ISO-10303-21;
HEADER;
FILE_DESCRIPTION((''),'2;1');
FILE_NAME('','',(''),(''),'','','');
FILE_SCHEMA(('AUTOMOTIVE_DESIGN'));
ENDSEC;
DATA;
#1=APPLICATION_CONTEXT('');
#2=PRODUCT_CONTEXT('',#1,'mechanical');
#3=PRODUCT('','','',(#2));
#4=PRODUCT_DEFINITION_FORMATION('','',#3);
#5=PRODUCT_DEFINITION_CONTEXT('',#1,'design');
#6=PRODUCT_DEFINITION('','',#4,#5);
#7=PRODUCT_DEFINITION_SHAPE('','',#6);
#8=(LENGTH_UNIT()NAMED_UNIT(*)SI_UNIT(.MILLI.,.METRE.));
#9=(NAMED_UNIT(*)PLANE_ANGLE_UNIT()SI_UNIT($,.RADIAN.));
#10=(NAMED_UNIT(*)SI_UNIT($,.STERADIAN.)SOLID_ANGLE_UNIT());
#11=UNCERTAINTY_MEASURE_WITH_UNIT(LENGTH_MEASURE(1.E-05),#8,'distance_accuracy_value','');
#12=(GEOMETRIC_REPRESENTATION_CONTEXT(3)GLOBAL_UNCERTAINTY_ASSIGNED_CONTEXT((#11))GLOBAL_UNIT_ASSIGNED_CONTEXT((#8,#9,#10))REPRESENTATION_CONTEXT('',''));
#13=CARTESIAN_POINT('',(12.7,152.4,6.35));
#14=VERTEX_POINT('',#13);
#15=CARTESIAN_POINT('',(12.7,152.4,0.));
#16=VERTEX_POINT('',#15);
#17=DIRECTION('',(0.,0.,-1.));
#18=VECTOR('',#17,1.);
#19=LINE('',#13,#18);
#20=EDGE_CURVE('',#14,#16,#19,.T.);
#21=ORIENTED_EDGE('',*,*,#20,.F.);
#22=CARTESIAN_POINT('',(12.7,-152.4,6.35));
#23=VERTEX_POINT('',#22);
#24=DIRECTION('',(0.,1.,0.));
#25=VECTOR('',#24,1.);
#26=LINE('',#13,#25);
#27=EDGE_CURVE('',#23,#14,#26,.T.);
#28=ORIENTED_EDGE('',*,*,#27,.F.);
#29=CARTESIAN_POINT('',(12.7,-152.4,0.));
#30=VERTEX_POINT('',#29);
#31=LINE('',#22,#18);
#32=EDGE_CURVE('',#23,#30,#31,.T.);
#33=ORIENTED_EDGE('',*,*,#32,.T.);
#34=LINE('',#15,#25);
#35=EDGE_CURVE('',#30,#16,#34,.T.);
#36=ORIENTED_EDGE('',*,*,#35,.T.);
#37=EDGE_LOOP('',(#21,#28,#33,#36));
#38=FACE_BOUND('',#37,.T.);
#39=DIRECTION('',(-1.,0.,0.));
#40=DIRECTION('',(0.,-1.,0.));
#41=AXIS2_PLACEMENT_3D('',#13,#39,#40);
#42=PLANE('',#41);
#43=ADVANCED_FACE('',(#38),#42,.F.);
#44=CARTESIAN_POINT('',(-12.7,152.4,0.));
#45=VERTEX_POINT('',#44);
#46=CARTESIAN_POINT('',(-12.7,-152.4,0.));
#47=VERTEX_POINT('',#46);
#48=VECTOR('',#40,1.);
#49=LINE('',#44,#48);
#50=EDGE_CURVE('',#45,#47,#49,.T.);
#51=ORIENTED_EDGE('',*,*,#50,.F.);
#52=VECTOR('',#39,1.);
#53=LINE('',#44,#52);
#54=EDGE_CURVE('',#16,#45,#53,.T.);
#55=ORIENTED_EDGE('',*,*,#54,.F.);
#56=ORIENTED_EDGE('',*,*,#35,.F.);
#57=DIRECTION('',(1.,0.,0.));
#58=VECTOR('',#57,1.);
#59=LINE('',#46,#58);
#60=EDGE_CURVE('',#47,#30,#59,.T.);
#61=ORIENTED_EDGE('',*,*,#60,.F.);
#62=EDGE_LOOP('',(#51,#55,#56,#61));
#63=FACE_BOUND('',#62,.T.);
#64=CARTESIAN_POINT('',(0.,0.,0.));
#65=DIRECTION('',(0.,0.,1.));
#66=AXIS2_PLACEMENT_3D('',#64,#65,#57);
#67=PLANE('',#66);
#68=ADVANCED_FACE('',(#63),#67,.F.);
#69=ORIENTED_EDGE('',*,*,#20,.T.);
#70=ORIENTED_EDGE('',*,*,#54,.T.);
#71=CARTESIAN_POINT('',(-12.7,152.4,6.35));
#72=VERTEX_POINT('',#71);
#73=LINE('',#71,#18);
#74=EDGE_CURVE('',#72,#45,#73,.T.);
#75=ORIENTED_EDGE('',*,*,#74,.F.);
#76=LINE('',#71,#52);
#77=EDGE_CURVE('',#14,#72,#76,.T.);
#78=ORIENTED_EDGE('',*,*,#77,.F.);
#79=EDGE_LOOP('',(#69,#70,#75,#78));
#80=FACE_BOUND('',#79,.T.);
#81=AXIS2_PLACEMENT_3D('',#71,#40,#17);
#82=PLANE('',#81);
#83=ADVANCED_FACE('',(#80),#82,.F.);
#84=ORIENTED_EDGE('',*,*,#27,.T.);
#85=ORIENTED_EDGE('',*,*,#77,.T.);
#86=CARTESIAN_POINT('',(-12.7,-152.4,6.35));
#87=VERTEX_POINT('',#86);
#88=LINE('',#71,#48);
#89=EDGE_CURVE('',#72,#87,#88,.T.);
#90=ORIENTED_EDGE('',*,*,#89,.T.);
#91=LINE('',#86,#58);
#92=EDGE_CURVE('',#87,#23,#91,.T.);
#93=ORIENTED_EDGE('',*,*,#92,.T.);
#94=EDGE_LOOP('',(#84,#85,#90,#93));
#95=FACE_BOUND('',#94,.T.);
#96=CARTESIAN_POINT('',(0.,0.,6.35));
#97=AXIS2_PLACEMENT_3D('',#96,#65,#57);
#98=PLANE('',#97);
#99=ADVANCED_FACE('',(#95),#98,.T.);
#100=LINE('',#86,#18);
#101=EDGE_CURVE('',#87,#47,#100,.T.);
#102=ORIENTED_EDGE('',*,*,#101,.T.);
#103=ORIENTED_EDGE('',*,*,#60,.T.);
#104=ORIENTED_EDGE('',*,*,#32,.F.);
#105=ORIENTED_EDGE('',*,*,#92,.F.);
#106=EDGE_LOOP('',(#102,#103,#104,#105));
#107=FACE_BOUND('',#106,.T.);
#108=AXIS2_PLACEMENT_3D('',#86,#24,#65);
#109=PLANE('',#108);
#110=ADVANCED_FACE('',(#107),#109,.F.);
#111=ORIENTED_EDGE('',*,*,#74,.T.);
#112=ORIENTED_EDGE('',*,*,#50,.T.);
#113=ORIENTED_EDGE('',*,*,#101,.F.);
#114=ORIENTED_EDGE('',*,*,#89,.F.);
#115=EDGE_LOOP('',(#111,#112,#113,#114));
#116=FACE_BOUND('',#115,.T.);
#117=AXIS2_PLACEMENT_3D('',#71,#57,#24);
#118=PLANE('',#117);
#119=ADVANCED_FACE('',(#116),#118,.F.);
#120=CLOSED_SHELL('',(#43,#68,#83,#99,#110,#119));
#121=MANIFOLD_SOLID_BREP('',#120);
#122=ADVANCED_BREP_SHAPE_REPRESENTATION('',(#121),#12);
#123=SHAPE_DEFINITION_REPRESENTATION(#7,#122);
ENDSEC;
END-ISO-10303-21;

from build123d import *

# Parameters (mm, degrees)
ESQUISSE1_W        = 25.4
ESQUISSE1_H        = 304.8
BOSS_EXTRU_1_DEPTH = 6.35


with BuildPart() as part:
    # Esquisse1 → Boss.-Extru.1 (new body)
    with BuildSketch(Plane.XY):
        Rectangle(ESQUISSE1_W, ESQUISSE1_H)
    extrude(amount=BOSS_EXTRU_1_DEPTH)


solid = part.part
